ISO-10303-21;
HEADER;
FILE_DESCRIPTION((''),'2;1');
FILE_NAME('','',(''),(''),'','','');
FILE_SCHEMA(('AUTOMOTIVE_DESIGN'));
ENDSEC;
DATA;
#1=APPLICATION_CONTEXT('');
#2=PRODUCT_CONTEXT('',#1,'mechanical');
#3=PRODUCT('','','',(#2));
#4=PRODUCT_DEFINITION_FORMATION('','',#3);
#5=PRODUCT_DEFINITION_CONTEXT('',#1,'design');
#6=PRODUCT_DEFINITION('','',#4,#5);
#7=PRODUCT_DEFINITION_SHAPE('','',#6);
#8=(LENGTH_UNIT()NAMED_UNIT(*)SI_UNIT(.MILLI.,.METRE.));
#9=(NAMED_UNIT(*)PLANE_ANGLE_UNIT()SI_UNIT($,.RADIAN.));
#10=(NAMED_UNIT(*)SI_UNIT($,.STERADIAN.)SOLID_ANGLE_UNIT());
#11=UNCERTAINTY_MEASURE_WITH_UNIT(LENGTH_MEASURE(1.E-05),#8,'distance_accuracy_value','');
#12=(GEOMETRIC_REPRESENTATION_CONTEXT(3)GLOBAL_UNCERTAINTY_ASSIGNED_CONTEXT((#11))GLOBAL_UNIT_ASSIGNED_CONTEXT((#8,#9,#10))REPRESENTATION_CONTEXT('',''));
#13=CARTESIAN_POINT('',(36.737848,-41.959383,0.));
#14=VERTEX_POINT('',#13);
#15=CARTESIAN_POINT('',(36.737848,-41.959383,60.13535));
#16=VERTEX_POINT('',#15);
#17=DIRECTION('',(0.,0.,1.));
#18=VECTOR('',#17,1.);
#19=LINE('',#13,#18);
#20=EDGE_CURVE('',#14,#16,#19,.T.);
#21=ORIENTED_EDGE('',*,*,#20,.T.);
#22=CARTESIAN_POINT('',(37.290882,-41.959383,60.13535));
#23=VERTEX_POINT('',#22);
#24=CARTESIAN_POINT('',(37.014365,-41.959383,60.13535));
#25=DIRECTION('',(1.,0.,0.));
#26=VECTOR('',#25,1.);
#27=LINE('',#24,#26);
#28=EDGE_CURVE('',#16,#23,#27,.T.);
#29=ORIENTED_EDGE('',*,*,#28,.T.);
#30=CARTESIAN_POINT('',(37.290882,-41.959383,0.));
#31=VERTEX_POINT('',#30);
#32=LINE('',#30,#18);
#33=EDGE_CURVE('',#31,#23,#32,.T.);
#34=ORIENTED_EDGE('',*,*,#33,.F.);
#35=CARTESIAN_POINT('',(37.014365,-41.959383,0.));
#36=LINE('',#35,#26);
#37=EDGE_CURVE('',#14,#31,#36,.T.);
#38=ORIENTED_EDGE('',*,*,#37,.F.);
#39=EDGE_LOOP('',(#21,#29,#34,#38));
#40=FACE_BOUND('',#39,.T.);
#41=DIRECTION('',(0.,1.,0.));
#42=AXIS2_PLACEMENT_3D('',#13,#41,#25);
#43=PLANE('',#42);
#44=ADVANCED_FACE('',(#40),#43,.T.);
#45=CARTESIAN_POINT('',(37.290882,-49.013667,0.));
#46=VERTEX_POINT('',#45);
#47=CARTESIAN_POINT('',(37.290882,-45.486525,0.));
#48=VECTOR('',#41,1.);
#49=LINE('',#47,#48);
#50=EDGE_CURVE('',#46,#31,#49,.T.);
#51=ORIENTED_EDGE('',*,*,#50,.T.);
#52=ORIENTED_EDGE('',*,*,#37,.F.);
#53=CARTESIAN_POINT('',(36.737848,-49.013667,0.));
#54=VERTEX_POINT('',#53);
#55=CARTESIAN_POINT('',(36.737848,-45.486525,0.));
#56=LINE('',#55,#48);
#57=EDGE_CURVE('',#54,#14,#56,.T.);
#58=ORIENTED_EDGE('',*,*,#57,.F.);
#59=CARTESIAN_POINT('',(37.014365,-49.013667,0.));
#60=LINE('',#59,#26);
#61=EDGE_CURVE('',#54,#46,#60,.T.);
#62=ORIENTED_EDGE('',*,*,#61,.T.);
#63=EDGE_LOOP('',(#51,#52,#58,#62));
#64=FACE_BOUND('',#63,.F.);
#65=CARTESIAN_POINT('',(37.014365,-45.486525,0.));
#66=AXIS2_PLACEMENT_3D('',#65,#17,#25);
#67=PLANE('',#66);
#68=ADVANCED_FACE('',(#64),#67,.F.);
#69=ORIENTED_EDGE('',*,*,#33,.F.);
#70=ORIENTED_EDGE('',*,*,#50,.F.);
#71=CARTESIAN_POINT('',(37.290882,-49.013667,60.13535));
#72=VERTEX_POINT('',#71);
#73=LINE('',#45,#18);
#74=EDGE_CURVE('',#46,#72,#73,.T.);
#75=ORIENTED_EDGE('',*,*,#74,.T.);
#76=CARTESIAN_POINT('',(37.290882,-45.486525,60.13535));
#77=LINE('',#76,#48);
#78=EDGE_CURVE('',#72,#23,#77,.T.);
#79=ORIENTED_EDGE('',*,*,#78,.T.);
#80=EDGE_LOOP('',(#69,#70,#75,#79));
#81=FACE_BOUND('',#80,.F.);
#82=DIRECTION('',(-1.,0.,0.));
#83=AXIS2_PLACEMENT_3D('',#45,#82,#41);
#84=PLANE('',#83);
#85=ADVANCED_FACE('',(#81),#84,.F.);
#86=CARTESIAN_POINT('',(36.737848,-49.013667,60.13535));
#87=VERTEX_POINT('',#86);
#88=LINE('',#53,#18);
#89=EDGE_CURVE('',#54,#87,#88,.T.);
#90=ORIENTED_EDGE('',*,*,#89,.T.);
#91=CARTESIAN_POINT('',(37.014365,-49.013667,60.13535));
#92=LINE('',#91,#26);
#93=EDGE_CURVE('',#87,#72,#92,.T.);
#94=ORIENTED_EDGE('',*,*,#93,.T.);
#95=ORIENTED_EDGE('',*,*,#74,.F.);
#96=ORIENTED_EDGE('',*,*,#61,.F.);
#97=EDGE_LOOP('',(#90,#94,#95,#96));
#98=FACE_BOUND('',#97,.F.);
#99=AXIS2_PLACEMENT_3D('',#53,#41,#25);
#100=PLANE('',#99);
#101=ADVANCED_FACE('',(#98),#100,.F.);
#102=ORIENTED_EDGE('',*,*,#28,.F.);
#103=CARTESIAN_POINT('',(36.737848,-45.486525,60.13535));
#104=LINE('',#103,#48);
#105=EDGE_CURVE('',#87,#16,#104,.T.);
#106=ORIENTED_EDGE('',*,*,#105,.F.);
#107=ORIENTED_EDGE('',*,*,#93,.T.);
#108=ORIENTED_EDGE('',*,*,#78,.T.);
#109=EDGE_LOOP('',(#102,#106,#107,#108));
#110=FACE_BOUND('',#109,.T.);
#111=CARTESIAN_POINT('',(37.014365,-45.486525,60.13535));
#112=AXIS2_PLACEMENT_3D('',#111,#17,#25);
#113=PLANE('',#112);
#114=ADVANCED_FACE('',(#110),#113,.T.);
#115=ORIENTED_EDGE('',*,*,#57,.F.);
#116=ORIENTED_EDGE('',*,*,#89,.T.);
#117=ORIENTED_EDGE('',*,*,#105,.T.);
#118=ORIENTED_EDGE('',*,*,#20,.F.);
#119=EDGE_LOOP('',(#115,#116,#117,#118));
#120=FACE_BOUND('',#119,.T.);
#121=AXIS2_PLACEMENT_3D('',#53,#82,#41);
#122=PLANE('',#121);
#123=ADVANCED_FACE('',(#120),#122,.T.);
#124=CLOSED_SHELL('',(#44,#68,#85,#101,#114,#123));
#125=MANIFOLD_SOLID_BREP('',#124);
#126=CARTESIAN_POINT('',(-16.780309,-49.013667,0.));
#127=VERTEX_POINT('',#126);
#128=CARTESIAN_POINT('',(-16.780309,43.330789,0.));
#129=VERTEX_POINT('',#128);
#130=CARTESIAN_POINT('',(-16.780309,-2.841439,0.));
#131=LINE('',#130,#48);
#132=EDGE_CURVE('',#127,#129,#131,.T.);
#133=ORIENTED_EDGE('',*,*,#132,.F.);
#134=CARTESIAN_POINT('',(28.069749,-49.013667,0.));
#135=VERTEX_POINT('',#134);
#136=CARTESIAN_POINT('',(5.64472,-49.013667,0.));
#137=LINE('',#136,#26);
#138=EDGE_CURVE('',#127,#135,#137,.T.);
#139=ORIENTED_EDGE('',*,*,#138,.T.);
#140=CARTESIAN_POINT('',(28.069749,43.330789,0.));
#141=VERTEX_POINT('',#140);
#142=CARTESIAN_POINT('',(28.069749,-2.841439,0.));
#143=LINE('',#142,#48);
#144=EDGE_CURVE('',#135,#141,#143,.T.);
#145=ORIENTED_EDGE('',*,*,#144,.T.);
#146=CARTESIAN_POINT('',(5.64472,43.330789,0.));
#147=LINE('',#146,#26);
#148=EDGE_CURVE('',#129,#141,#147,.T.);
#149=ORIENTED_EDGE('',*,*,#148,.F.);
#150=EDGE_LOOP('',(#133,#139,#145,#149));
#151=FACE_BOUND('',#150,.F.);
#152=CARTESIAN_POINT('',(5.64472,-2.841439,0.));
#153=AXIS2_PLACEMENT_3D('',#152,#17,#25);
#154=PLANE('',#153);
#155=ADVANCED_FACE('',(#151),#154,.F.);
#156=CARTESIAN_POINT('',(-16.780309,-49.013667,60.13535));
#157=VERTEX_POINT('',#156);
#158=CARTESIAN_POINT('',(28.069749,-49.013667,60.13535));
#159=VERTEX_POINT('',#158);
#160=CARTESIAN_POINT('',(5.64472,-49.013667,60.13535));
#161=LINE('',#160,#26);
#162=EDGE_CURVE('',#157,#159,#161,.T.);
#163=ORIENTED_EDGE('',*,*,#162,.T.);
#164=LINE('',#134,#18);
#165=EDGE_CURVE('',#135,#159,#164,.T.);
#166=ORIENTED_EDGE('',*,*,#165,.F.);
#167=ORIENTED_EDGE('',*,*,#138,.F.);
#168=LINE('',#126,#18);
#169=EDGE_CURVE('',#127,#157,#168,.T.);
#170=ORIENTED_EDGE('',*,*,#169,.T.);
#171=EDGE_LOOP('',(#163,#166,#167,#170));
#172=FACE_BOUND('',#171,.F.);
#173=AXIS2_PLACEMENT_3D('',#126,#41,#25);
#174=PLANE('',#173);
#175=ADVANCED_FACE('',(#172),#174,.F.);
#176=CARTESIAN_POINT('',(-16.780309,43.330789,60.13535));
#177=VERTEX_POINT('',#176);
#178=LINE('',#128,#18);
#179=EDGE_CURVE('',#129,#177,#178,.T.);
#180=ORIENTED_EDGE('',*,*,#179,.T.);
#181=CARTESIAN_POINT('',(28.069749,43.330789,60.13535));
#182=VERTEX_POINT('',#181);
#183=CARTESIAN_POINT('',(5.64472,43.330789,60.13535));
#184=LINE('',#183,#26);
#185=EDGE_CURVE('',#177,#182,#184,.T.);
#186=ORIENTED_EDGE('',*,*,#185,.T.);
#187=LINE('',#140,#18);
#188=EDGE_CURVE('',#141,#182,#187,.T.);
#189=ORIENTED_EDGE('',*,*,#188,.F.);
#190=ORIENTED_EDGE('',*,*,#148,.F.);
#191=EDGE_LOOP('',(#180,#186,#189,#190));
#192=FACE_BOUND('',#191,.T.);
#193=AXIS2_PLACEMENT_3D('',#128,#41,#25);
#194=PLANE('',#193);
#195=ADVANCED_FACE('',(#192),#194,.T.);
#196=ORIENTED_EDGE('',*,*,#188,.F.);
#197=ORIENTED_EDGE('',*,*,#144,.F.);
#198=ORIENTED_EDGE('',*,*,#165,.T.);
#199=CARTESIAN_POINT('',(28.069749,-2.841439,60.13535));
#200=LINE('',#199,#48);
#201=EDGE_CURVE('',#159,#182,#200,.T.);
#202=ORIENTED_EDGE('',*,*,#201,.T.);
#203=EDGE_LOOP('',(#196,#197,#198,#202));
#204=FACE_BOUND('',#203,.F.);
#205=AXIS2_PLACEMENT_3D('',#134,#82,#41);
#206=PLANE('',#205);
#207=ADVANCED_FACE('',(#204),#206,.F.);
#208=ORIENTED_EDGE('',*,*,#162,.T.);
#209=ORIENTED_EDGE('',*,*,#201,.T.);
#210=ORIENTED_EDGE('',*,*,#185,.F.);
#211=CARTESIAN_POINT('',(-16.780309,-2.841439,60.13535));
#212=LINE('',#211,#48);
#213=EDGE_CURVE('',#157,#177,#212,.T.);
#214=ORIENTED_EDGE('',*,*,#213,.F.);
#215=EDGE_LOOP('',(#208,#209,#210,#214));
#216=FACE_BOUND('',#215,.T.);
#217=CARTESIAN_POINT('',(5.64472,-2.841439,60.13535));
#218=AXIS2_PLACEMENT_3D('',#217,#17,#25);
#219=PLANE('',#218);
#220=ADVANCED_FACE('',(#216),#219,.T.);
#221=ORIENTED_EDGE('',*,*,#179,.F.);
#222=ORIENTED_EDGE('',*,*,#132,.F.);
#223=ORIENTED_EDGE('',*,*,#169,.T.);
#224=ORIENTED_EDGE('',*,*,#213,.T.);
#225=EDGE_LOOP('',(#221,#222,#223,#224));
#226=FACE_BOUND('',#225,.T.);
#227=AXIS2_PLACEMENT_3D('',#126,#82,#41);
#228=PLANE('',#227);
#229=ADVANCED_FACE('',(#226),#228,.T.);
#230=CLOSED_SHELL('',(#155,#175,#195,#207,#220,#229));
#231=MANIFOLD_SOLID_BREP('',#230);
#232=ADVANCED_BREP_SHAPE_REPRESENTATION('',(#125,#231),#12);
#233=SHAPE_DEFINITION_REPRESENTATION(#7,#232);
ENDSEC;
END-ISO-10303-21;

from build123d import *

# Parameters (mm, degrees)
F0_W     = 44.850058
F0_H     = 92.344456
F0_W_2   = 0.553034
F0_H_2   = 7.054284
F1_DEPTH = 60.13535


with BuildPart() as f1:
    # F0 (on Top) → F1 (new body)
    with BuildSketch(Plane.XY):
        with Locations((5.64472, -2.841439)):
            Rectangle(F0_W, F0_H)
        with Locations((37.014365, -45.486525)):
            Rectangle(F0_W_2, F0_H_2)
    extrude(amount=F1_DEPTH)


solid = f1.part
